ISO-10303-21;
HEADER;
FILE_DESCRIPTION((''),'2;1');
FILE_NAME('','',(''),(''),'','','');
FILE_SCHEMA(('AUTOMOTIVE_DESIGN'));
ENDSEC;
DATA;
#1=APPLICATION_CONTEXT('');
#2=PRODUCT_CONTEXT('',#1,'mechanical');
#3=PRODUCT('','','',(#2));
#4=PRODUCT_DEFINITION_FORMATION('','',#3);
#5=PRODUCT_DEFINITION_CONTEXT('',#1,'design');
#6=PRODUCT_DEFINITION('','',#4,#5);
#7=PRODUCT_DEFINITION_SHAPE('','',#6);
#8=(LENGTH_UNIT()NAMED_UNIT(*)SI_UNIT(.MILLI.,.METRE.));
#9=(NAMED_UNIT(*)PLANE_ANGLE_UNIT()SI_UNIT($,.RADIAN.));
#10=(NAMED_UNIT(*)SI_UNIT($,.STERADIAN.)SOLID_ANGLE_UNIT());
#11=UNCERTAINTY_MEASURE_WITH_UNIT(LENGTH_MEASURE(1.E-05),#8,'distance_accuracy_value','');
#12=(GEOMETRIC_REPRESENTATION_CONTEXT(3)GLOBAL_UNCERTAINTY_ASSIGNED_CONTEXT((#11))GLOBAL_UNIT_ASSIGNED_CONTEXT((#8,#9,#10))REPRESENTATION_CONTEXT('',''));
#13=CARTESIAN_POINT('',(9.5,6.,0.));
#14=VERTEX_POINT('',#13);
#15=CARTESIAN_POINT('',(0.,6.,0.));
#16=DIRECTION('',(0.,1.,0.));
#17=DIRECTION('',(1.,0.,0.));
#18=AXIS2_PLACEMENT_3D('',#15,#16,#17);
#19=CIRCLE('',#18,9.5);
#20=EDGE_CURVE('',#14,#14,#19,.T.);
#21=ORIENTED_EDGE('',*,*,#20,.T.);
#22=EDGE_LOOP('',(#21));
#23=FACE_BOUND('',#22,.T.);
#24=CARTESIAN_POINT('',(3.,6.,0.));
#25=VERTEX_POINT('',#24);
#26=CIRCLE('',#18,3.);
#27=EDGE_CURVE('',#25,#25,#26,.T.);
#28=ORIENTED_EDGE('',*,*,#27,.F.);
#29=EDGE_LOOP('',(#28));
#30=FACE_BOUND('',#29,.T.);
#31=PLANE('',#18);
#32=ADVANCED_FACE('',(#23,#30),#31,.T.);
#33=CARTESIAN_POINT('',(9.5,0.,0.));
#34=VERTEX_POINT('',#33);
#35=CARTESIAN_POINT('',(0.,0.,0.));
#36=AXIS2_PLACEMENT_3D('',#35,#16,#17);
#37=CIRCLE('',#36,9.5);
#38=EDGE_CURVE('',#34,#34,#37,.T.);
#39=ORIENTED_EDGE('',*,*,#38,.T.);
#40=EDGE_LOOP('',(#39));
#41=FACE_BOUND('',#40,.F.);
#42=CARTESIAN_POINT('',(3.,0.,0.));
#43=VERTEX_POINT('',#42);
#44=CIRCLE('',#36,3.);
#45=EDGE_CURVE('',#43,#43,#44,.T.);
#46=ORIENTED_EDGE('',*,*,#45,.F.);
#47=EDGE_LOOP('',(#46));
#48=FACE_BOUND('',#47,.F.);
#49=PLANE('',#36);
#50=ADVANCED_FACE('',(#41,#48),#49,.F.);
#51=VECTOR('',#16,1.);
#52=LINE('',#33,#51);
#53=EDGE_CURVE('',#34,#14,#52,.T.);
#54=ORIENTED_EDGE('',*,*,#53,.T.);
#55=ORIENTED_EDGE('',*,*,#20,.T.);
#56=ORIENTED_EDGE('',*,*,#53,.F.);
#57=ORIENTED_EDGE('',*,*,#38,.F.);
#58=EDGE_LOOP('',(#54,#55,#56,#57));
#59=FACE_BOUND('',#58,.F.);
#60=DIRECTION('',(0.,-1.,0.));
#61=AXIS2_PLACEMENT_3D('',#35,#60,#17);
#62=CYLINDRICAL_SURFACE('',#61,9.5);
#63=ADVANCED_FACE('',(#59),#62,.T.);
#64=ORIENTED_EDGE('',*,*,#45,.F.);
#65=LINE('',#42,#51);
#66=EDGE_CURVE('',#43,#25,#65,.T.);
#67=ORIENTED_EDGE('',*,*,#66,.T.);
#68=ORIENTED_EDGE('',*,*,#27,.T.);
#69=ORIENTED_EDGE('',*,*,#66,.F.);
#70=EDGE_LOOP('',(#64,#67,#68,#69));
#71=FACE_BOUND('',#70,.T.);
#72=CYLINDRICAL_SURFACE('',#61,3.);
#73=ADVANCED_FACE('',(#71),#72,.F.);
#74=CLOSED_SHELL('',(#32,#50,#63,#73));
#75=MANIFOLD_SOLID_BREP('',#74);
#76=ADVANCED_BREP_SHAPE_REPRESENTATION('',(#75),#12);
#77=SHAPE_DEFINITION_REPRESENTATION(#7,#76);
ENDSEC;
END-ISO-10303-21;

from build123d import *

# Parameters (mm, degrees)
SKETCH1_R           = 9.5
SKETCH1_R_2         = 3
BOSS_EXTRUDE1_DEPTH = 6


with BuildPart() as part:
    # Sketch1 → Boss-Extrude1 (new body)
    with BuildSketch(Plane(origin=(0, 0, 0), x_dir=(1, 0, 0), z_dir=(0, 1, 0))):
        Circle(SKETCH1_R)
        Circle(SKETCH1_R_2, mode=Mode.SUBTRACT)
    extrude(amount=BOSS_EXTRUDE1_DEPTH)


solid = part.part
